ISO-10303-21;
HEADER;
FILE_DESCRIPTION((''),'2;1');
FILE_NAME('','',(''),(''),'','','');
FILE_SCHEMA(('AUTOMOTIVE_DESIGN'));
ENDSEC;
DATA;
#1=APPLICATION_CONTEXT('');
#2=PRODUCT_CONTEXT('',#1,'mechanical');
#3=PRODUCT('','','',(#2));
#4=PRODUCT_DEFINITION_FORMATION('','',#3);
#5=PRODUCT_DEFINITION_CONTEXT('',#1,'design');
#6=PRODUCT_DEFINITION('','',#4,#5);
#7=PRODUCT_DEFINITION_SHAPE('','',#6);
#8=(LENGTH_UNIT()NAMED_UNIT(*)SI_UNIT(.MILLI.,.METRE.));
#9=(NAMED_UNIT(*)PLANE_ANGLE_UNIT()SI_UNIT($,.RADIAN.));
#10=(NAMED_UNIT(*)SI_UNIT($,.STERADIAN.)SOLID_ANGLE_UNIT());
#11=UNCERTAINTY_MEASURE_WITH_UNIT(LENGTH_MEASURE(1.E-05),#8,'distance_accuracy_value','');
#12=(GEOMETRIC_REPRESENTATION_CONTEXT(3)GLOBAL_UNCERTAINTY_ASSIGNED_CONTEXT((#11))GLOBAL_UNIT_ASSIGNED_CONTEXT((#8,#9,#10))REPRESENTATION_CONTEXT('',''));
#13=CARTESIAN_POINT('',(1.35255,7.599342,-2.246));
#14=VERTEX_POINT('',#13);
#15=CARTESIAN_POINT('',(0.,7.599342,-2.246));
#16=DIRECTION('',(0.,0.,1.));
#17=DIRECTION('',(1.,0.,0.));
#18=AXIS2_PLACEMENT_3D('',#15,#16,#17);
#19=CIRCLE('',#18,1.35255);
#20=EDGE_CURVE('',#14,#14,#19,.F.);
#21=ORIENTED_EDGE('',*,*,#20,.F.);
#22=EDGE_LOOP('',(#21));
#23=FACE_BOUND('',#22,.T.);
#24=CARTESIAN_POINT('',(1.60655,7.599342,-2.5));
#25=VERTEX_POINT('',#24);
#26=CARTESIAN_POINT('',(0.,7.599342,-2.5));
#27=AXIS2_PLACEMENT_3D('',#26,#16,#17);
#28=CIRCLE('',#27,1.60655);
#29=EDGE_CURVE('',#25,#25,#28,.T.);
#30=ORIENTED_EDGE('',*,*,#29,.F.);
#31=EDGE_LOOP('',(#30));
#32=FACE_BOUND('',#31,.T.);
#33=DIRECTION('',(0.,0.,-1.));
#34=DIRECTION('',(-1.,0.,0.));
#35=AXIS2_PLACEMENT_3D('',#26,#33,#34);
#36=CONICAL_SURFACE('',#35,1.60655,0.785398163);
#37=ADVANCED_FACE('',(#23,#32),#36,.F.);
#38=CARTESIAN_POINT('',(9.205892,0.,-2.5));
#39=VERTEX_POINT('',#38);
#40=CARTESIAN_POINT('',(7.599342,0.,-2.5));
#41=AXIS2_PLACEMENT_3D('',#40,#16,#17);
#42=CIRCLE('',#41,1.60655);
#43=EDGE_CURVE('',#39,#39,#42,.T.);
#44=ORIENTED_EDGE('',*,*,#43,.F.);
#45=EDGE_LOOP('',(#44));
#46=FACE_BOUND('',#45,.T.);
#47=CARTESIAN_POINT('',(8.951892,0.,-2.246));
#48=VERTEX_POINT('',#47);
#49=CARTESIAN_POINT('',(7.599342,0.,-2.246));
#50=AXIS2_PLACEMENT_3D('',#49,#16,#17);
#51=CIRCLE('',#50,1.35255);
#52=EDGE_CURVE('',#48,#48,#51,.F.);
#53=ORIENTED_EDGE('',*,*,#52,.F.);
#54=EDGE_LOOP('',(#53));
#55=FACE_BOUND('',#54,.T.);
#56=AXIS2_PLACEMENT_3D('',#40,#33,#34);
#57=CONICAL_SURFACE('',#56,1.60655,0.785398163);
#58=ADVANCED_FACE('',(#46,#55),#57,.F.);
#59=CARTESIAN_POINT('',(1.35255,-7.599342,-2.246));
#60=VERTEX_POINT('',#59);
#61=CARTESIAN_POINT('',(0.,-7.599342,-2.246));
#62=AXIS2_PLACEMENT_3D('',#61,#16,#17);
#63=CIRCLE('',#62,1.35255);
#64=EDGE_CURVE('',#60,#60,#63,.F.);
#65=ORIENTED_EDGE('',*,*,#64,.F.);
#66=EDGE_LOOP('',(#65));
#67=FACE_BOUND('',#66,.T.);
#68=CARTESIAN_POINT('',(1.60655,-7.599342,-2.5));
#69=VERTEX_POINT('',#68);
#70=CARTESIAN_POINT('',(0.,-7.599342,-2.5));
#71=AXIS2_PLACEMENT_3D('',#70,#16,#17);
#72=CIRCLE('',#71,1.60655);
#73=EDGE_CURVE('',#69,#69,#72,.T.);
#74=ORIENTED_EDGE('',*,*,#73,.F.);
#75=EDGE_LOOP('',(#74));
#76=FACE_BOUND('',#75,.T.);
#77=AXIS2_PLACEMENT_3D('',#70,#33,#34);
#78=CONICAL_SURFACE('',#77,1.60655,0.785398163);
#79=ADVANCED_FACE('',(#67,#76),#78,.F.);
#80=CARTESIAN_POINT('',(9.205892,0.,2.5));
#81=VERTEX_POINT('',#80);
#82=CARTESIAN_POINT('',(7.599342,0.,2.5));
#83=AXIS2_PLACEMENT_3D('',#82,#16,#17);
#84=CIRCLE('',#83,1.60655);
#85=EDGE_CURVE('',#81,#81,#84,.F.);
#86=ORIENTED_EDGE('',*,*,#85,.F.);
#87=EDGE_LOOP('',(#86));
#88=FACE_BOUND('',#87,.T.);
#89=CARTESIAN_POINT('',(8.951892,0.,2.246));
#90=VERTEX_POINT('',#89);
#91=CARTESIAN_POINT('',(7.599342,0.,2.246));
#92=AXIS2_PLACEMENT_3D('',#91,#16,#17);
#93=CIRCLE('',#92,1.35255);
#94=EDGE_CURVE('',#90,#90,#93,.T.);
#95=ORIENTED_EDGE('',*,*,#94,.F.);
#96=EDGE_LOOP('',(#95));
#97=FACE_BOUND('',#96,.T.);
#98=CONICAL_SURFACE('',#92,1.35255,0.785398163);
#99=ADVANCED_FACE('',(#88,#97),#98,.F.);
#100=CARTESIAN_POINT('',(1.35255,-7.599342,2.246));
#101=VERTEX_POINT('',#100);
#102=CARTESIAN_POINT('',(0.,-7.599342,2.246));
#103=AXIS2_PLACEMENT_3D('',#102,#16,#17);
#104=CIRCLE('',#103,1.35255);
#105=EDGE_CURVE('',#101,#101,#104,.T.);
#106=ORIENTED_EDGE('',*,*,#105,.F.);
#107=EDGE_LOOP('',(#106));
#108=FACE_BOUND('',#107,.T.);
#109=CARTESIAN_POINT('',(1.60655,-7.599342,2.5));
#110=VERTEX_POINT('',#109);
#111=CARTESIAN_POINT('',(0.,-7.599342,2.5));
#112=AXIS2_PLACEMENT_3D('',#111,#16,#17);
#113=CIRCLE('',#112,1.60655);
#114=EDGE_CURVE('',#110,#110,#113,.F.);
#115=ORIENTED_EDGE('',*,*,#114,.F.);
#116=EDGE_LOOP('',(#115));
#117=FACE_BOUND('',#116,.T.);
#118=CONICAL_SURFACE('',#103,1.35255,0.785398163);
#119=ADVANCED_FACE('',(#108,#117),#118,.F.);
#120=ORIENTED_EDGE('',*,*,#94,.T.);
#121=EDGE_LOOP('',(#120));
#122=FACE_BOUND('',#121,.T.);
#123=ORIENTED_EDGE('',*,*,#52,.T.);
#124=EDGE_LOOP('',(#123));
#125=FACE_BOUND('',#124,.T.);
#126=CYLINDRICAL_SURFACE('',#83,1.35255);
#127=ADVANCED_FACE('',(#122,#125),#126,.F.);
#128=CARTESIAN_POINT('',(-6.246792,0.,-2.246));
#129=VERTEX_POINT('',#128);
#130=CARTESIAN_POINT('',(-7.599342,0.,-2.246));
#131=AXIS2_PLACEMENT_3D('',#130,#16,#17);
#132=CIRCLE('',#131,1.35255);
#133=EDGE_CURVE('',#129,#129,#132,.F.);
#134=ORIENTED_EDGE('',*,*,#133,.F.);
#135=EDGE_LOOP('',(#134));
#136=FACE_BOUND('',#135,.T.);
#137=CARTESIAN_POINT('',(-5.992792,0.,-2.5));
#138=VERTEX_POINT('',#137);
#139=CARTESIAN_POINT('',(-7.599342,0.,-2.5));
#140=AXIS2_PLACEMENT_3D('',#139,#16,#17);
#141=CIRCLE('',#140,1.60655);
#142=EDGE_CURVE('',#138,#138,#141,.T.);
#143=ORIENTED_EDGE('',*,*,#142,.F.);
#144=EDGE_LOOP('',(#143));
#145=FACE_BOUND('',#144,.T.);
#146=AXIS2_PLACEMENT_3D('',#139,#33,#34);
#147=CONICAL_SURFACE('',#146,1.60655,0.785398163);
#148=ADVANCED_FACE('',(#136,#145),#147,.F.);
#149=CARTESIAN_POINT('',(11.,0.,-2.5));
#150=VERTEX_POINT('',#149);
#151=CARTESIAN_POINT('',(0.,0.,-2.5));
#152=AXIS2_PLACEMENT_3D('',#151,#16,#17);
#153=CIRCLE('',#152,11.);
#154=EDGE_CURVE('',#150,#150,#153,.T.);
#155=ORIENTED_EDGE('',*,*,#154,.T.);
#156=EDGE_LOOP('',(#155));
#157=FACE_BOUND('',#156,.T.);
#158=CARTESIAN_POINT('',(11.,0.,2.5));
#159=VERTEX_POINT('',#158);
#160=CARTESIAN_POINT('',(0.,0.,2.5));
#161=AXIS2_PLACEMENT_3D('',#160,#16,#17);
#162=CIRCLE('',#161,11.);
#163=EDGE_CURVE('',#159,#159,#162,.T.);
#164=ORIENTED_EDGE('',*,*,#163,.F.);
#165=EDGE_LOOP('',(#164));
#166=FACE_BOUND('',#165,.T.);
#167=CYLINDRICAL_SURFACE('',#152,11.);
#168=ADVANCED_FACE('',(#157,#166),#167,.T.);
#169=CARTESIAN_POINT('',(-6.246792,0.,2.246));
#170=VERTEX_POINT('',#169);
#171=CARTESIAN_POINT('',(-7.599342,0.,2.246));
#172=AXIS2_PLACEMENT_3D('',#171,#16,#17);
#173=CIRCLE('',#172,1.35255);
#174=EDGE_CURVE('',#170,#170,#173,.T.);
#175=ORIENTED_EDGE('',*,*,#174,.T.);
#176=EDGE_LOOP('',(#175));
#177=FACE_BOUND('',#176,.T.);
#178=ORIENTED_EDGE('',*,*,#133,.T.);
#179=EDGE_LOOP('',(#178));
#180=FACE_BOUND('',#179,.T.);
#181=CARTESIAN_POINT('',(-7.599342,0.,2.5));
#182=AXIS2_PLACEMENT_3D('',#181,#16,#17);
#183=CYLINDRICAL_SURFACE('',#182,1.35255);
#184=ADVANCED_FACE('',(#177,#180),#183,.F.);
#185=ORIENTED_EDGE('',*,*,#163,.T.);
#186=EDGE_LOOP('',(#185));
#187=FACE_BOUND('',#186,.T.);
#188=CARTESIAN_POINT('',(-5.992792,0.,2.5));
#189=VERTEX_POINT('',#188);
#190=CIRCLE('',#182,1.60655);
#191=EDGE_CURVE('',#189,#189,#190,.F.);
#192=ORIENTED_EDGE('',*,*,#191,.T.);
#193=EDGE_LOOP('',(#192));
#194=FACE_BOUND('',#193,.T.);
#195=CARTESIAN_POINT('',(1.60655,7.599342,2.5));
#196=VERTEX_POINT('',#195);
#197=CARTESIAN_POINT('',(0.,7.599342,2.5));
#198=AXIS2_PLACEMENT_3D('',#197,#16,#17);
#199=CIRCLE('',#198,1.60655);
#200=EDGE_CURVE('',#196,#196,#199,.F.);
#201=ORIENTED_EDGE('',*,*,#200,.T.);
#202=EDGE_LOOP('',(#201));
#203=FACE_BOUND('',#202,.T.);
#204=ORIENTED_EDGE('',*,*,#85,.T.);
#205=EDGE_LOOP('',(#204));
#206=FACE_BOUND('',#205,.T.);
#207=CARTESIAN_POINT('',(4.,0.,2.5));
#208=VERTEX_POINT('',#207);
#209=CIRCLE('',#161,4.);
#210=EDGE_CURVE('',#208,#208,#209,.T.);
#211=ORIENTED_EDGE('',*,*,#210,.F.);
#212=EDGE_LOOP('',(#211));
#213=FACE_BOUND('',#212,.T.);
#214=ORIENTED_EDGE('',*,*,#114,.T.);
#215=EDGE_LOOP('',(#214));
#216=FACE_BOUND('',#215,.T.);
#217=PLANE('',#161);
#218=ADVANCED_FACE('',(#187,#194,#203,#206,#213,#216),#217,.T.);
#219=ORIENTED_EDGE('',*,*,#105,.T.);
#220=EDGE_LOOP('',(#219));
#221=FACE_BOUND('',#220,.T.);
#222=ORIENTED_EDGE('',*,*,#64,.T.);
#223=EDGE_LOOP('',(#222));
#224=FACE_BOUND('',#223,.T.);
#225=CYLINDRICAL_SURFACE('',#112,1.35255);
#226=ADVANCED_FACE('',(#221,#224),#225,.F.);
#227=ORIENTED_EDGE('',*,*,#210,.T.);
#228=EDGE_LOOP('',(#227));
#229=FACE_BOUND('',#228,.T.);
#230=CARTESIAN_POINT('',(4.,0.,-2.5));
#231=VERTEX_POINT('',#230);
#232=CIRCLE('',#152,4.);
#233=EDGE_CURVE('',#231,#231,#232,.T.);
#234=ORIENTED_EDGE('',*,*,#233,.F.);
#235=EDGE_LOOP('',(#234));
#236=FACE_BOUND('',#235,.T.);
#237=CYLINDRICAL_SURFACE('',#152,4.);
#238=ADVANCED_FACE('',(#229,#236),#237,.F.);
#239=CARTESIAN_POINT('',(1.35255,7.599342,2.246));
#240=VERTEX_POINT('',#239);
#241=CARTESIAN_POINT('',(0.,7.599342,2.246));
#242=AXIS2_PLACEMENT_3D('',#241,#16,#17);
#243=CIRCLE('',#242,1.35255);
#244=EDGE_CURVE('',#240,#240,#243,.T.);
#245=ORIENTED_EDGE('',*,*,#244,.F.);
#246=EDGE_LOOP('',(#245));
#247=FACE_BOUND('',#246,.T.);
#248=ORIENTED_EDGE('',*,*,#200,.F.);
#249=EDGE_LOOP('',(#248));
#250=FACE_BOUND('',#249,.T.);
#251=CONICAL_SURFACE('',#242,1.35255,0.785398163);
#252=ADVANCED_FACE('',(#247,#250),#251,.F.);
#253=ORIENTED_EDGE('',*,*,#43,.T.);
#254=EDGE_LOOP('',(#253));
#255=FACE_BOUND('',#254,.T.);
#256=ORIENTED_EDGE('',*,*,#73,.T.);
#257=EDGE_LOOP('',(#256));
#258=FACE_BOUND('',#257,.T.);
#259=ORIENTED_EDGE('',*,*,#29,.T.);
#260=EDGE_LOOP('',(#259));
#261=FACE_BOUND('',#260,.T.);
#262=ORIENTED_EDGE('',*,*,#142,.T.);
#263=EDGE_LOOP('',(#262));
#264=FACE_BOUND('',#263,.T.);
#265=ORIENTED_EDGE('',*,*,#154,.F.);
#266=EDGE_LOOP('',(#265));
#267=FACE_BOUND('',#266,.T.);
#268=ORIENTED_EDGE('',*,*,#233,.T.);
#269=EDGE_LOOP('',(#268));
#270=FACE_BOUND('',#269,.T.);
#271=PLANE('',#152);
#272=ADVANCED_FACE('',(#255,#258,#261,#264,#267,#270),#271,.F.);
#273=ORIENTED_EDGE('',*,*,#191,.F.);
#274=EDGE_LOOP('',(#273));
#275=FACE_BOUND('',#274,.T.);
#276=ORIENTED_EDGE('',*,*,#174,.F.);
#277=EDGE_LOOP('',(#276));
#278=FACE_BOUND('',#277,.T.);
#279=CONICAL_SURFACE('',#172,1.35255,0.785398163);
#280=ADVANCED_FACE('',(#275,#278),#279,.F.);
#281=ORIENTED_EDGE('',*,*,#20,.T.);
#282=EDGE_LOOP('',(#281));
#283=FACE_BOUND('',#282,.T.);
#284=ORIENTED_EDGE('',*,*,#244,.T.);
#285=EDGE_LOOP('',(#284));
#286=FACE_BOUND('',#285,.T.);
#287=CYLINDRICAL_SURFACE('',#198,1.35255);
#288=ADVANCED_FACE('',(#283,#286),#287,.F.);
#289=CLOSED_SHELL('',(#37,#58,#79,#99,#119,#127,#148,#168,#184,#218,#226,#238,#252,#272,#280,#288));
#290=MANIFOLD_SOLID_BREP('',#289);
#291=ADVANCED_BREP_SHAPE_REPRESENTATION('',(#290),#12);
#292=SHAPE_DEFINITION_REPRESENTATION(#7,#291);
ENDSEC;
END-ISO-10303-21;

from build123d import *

# Parameters (mm, degrees)
SKETCH1_R             = 11
EXTRUDE1_DEPTH        = 2.5
F_6_32_TAPPED_HOLE3_D = 2.7051
CHAMFER1_SIZE         = 0.254
SKETCH2_R             = 4
EXTRUDE2_DEPTH        = 6


with BuildPart() as part:
    # Sketch1 → Extrude1 (new body, symmetric)
    with BuildSketch(Plane.XY):
        Circle(SKETCH1_R)
    extrude(amount=EXTRUDE1_DEPTH, both=True)

    # #6-32 Tapped Hole3 (through all)
    with Locations(Plane(origin=(0, 7.599342077, 2.5), x_dir=(1, 0, 0), z_dir=(0, 0, 1))):
        with Locations((0, 0), (-7.599342077, -7.599342077), (7.599342077, -7.599342077), (0, -15.198684154)):
            Hole(F_6_32_TAPPED_HOLE3_D / 2)

    # Chamfer1
    chamfer1_edges = [part.edges().sort_by_distance(p)[0] for p in [
        (8.951892077, 0, 2.5),
        (8.951892077, 0, -2.5),
        (-6.246792077, 0, 2.5),
        (-6.246792077, 0, -2.5),
        (1.35255, 7.599342077, 2.5),
        (1.35255, 7.599342077, -2.5),
        (1.35255, -7.599342077, 2.5),
        (1.35255, -7.599342077, -2.5),
    ]]
    chamfer(chamfer1_edges, length=CHAMFER1_SIZE)

    # Sketch2 → Extrude2 (cut, through all)
    with BuildSketch(Plane.XY.offset(2.5)):
        Circle(SKETCH2_R)
    extrude(amount=-EXTRUDE2_DEPTH, mode=Mode.SUBTRACT)


solid = part.part
